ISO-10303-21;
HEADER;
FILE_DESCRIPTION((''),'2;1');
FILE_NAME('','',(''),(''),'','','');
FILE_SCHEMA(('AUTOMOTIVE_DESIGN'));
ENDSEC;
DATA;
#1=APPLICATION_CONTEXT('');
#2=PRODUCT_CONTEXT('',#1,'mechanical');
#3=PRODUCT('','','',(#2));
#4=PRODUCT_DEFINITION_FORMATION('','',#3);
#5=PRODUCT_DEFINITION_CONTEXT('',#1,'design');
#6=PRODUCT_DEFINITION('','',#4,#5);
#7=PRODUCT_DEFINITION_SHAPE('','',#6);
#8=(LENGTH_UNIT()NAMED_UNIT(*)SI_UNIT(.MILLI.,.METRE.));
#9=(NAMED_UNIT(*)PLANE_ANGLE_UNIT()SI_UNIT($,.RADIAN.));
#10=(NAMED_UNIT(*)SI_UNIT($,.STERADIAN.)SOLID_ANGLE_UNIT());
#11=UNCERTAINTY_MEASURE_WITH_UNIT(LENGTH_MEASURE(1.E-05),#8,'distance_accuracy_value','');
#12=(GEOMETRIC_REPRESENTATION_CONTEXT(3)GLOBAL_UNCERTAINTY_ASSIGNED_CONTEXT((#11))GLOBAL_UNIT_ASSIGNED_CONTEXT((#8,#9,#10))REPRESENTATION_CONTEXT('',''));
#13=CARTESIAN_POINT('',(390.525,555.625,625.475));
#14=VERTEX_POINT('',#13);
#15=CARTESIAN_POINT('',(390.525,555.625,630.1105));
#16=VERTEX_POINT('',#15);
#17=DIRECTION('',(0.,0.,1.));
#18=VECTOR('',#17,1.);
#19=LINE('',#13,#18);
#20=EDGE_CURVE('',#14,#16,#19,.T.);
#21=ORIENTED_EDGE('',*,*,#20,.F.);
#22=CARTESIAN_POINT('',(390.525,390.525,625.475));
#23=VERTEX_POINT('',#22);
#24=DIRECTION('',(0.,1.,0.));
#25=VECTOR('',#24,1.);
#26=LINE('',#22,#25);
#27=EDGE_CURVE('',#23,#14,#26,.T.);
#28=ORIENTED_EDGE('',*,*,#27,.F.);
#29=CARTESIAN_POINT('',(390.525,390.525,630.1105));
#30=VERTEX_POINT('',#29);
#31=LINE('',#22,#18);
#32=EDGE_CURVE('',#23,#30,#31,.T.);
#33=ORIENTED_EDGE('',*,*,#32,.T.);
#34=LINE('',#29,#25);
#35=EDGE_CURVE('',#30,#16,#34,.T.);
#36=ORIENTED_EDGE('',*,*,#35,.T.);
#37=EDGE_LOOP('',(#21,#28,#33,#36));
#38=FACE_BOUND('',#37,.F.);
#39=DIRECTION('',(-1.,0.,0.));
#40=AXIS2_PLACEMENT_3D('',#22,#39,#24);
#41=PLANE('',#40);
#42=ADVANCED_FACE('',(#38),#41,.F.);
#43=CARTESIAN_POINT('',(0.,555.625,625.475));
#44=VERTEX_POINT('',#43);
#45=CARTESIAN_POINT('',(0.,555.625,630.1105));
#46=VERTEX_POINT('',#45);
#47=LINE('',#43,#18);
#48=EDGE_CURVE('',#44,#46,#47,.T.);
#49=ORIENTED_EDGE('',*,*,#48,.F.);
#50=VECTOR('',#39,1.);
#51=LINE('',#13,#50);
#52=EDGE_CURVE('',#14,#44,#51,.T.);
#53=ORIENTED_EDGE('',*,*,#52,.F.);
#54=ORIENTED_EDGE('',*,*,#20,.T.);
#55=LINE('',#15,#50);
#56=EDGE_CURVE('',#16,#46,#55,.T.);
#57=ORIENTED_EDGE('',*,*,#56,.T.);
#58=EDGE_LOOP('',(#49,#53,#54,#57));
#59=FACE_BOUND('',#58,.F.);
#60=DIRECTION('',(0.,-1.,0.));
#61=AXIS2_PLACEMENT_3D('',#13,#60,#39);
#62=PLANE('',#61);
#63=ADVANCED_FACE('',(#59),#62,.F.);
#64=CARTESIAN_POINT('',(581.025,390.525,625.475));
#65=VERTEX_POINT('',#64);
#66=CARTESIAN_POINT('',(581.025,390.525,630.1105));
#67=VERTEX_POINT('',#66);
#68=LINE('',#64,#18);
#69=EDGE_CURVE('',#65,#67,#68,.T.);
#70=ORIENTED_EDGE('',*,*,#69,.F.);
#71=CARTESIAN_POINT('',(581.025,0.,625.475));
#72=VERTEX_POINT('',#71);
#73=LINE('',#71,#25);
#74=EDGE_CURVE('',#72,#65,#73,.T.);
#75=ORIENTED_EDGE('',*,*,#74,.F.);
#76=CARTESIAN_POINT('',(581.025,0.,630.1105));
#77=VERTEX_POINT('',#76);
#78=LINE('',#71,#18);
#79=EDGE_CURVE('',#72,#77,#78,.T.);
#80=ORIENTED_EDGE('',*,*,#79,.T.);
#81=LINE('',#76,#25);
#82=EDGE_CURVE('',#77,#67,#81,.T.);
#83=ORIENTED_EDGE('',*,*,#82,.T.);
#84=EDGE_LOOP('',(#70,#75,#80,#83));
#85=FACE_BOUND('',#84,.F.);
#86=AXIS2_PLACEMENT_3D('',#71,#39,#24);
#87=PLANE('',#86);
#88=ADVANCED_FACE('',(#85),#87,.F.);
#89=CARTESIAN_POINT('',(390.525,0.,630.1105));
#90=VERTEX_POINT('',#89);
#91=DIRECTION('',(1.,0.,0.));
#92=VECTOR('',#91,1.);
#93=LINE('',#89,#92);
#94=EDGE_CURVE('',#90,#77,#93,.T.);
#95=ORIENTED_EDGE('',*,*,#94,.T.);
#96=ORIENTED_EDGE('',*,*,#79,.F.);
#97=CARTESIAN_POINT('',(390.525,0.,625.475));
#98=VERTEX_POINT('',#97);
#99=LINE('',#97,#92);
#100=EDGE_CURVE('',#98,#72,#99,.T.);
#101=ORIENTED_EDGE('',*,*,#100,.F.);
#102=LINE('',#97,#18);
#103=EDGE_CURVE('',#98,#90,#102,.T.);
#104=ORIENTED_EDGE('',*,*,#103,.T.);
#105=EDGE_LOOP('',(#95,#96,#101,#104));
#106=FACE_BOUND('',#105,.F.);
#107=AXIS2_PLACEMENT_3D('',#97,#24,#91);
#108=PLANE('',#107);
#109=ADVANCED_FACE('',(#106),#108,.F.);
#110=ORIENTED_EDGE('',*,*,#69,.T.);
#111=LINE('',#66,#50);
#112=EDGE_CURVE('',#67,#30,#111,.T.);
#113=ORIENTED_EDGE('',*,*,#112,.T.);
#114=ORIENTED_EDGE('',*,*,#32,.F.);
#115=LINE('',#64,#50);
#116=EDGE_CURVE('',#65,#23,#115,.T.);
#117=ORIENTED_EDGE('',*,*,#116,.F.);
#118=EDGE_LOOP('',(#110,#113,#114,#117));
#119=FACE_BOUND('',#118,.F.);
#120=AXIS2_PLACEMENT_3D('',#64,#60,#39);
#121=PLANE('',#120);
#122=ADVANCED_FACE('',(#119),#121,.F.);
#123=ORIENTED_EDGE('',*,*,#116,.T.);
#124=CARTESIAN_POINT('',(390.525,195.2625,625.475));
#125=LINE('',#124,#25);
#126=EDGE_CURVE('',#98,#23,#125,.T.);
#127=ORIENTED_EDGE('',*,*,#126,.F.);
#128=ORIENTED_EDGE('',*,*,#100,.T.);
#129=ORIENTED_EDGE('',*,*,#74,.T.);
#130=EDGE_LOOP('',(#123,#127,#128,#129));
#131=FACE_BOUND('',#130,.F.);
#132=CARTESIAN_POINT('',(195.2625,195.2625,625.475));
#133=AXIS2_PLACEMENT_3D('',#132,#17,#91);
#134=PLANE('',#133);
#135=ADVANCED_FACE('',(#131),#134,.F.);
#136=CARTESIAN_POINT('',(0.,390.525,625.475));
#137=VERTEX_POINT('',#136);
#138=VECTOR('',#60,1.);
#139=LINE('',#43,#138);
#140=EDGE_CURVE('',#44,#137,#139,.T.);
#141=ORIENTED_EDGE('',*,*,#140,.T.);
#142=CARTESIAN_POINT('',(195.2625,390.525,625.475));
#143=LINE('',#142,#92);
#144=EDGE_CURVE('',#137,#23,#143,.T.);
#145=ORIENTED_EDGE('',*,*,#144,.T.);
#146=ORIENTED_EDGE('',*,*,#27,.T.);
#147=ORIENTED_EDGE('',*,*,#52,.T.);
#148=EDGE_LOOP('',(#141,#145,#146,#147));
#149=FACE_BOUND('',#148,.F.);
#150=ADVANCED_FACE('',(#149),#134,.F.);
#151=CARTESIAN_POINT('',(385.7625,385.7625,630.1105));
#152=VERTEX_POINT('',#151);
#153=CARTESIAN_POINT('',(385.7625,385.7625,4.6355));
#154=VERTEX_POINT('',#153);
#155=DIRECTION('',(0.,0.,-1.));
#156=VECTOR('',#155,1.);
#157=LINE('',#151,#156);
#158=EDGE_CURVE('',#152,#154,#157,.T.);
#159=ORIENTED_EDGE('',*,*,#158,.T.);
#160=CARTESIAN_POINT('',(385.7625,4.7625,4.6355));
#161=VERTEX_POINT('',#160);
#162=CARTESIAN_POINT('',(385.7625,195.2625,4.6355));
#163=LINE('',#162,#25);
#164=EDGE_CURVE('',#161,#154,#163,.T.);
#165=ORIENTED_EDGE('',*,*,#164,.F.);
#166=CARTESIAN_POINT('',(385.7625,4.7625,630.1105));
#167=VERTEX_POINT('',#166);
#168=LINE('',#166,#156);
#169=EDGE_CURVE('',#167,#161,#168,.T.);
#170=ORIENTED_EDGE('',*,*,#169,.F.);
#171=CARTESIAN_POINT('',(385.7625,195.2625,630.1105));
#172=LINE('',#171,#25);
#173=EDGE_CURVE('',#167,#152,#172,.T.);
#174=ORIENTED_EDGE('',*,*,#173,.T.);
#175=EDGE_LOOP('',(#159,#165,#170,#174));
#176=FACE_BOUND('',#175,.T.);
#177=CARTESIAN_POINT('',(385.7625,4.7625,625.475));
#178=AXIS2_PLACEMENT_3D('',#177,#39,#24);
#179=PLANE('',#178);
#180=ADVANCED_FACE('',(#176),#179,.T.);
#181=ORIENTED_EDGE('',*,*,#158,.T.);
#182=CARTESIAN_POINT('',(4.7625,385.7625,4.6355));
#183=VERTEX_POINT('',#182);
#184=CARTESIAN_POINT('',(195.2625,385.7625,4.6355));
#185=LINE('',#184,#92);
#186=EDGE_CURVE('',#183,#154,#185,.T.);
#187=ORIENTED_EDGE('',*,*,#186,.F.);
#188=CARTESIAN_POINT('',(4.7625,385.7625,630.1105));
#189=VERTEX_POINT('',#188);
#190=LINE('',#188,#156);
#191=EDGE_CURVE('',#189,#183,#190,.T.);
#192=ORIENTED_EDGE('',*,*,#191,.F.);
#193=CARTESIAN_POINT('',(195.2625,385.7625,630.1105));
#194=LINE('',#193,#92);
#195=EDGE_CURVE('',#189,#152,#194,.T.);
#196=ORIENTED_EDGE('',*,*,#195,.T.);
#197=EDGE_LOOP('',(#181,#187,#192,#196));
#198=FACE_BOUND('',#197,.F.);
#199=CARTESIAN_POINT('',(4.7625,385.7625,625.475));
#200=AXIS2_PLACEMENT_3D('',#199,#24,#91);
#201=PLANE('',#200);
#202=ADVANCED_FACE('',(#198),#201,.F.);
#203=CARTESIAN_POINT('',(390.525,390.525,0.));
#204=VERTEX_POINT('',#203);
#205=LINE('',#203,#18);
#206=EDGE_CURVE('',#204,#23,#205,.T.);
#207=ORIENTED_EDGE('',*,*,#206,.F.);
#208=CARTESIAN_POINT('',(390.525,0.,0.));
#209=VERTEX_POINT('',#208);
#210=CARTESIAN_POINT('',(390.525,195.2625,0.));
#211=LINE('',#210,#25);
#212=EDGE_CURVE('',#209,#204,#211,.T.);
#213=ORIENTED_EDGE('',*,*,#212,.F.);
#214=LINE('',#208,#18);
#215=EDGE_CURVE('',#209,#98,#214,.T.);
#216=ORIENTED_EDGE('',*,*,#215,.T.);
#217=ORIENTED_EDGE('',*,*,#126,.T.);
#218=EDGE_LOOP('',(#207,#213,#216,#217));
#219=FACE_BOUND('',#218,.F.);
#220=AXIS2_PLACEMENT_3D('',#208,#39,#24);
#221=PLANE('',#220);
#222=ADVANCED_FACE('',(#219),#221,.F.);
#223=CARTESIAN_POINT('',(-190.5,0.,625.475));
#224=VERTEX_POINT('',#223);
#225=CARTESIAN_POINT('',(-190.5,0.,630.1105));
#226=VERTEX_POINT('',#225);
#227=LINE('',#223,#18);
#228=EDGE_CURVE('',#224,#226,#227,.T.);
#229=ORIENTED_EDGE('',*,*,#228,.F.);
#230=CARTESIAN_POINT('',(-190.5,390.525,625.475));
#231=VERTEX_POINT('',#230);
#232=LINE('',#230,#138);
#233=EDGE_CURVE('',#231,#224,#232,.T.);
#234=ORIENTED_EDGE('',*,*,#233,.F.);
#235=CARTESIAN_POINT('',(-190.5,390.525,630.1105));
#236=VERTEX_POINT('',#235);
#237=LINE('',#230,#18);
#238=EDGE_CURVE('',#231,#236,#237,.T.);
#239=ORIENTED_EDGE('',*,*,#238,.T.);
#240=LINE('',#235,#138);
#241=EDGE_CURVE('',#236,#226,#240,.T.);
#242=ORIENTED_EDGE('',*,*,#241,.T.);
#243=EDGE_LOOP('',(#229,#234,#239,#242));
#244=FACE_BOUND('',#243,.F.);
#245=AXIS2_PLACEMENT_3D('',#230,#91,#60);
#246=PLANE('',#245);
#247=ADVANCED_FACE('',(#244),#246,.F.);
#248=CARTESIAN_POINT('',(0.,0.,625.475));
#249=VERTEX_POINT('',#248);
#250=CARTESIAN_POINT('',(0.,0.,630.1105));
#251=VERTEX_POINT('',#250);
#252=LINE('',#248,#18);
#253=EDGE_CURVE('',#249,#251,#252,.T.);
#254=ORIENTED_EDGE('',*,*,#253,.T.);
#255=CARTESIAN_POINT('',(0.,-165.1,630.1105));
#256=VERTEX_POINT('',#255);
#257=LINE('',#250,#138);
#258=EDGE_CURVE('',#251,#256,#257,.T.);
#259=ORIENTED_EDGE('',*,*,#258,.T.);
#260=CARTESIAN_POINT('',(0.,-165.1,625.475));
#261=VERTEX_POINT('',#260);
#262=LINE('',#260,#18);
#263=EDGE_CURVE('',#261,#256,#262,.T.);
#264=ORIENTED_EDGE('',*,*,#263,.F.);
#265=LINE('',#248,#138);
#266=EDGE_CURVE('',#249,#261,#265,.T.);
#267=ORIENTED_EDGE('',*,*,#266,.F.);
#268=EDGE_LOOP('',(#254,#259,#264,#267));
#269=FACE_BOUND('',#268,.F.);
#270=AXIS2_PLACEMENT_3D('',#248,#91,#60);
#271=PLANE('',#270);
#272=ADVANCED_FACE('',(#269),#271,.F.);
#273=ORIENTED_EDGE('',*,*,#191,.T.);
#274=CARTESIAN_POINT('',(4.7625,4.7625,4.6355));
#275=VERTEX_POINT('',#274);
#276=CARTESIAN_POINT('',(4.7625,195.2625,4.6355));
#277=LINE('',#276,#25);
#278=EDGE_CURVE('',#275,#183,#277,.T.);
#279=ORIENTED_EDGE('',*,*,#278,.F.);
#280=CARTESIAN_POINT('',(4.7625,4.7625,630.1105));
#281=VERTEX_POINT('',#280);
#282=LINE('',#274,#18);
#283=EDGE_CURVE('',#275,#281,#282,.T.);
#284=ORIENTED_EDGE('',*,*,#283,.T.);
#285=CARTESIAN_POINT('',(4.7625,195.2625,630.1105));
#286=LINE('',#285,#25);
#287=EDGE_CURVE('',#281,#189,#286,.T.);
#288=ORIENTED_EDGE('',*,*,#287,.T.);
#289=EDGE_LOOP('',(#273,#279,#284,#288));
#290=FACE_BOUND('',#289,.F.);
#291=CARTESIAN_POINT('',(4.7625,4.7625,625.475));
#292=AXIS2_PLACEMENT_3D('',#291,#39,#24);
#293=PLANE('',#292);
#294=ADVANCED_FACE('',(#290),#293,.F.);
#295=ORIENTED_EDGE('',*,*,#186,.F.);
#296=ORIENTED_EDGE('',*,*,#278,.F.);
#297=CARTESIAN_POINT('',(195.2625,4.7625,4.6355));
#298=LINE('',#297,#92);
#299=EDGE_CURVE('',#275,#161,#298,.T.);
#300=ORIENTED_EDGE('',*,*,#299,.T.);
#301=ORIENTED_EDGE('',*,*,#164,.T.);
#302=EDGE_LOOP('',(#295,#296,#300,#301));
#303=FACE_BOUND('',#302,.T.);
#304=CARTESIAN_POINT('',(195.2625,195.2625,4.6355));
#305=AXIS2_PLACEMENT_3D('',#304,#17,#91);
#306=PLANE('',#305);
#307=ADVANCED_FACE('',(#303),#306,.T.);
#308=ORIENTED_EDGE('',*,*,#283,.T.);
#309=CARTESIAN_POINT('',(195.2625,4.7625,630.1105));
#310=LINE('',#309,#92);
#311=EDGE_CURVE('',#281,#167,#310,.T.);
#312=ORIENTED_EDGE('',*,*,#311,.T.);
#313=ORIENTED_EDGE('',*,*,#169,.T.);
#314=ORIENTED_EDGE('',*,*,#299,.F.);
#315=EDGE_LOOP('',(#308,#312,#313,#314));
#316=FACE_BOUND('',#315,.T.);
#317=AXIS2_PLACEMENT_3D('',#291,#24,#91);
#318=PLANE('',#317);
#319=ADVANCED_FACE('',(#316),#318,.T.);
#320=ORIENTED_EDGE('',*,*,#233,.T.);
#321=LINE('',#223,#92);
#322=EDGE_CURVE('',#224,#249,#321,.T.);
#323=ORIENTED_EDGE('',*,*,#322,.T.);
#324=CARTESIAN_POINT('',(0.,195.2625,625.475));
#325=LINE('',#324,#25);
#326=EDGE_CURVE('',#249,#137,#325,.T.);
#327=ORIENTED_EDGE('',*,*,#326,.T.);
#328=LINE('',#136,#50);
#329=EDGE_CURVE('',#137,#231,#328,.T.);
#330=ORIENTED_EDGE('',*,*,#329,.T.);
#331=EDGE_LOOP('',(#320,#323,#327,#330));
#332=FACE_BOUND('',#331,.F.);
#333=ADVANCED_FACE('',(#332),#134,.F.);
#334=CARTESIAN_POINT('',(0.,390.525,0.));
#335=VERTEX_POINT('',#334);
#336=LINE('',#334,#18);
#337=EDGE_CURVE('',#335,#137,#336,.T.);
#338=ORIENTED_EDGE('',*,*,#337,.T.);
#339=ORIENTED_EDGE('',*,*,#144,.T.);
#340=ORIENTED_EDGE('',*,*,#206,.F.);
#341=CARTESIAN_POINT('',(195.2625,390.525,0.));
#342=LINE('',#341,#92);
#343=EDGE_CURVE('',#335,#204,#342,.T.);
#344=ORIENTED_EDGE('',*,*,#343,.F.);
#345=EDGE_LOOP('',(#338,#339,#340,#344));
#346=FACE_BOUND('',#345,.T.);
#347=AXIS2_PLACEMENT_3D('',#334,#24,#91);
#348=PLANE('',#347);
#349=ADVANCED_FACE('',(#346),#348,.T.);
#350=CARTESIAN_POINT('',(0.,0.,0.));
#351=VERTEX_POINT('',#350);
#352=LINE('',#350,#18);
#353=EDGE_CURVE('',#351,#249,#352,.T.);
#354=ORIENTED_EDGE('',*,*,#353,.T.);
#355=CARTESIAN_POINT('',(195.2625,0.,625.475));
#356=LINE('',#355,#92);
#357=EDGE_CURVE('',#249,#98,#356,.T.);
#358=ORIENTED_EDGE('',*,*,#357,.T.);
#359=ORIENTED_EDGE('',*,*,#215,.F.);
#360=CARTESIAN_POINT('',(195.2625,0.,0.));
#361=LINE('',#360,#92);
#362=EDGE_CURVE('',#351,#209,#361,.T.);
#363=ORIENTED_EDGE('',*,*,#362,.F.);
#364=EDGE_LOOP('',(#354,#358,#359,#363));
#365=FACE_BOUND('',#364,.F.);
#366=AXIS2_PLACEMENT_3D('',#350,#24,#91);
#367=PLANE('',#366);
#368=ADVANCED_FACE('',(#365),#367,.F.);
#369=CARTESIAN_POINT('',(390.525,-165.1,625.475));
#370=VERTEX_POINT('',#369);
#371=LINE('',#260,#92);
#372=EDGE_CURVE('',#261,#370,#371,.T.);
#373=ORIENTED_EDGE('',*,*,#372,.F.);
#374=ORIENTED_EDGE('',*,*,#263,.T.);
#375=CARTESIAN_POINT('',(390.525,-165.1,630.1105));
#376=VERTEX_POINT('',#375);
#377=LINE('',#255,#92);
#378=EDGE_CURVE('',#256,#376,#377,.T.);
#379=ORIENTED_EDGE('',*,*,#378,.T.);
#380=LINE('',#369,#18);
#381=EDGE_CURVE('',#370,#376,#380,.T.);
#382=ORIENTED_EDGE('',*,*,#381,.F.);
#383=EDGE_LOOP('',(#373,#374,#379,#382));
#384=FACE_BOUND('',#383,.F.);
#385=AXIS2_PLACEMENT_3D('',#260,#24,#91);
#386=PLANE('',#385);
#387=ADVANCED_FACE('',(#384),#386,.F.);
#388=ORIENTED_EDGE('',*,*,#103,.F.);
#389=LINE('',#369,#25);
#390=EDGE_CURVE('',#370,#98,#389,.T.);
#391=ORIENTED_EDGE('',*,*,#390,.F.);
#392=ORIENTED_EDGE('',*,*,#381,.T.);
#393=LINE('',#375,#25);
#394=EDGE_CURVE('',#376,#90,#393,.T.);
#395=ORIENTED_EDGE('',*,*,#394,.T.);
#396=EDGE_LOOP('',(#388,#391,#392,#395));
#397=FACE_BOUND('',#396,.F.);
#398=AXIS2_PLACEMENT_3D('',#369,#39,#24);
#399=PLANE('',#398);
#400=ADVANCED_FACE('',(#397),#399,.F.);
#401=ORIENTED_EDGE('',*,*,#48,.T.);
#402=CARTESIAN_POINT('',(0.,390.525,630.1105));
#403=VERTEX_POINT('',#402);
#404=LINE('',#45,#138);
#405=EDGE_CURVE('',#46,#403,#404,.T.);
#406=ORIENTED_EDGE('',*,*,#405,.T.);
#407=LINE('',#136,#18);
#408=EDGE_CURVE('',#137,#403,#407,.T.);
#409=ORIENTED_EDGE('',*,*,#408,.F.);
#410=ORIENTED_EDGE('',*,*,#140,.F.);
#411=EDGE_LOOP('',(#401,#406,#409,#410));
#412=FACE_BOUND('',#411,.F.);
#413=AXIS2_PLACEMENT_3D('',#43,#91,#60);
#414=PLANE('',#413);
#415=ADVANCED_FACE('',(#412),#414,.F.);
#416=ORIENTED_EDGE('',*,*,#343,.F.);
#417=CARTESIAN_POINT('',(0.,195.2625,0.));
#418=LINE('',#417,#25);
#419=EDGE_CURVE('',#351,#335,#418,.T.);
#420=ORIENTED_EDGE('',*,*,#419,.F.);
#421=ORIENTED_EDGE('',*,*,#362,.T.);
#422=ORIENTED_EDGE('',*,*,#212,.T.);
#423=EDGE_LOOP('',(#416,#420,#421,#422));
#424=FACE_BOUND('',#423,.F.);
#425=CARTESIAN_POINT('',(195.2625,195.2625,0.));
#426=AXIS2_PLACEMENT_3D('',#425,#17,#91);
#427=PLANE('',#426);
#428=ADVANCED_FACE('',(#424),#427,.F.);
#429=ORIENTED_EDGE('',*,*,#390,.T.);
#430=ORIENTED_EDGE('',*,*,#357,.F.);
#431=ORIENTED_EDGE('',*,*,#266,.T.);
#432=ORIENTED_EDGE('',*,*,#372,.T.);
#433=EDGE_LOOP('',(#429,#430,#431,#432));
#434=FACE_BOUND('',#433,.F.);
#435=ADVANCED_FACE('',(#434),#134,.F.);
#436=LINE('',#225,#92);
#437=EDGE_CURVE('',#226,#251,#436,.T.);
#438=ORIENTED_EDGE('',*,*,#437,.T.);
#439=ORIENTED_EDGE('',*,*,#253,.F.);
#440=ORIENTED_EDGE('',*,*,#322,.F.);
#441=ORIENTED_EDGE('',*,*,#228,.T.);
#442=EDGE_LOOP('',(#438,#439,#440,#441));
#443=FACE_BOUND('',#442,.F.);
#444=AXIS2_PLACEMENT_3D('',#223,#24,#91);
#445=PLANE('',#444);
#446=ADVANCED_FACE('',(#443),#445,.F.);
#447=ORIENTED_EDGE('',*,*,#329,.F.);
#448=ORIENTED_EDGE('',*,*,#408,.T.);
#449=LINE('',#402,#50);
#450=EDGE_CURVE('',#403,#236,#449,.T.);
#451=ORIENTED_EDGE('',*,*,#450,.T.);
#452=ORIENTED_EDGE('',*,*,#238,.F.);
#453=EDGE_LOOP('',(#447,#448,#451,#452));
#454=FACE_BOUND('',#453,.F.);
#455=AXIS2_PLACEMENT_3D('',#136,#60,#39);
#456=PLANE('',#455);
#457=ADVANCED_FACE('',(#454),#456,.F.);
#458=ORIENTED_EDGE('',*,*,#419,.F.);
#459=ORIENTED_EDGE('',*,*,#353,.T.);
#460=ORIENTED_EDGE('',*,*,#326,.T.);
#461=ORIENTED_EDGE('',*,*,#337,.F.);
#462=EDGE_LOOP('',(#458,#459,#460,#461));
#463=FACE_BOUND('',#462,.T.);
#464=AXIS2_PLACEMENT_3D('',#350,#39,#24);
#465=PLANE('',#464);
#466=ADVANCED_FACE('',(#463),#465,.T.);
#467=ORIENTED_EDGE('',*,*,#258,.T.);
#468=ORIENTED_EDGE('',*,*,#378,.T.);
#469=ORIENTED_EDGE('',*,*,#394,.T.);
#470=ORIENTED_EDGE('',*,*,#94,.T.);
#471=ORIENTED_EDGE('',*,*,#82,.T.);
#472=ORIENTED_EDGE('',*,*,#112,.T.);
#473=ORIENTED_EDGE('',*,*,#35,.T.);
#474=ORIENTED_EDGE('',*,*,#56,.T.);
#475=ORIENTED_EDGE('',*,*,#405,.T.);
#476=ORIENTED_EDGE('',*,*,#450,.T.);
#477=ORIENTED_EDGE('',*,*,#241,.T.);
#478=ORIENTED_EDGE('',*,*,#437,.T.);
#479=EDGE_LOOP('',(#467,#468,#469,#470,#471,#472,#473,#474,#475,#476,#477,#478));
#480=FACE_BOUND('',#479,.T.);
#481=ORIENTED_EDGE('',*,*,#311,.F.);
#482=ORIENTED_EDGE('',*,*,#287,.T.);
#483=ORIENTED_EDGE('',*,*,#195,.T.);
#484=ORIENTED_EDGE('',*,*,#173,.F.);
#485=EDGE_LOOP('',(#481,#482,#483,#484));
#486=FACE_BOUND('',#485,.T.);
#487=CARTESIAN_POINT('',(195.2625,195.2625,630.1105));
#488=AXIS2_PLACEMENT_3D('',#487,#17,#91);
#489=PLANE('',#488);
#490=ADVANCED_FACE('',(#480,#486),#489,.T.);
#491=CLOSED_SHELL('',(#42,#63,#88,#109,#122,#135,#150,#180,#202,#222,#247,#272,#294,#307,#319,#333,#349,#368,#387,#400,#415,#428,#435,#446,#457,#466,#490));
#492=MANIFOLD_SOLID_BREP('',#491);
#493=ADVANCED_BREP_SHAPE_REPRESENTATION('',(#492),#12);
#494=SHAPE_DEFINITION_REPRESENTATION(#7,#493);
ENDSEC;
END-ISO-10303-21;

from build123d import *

# Parameters (mm, degrees)
F0_W     = 390.525
F0_H     = 390.525
F0_W_2   = 381
F0_H_2   = 381
F1_DEPTH = 625.475
F2_DEPTH = 4.6355
F4_W     = 381
F4_H     = 381
F5_DEPTH = 4.6355


with BuildPart() as f1:
    # F0 (on Top) → F1 (new body)
    with BuildSketch(Plane.XY):
        with Locations((195.2625, 195.2625)):
            Rectangle(F0_W, F0_H)
        with Locations((195.2625, 195.2625)):
            Rectangle(F0_W_2, F0_H_2, mode=Mode.SUBTRACT)
    extrude(amount=F1_DEPTH)

    # F0 (on Top) → F2 (join)
    with BuildSketch(Plane.XY):
        with Locations((195.2625, 195.2625)):
            Rectangle(F0_W_2, F0_H_2)
    extrude(amount=F2_DEPTH)

    # F4 (on plane+point) → F5 (join)
    with BuildSketch(Plane.XY.offset(625.475)):
        Polygon((-190.5, 0), (0, 0), (0, -165.1), (390.525, -165.1), (390.525, 0), (581.025, 0), (581.025, 390.525), (390.525, 390.525), (390.525, 555.625), (0, 555.625), (0, 390.525), (-190.5, 390.525), align=None)
        with Locations((195.2625, 195.2625)):
            Rectangle(F4_W, F4_H, mode=Mode.SUBTRACT)
    extrude(amount=F5_DEPTH)


solid = f1.part
